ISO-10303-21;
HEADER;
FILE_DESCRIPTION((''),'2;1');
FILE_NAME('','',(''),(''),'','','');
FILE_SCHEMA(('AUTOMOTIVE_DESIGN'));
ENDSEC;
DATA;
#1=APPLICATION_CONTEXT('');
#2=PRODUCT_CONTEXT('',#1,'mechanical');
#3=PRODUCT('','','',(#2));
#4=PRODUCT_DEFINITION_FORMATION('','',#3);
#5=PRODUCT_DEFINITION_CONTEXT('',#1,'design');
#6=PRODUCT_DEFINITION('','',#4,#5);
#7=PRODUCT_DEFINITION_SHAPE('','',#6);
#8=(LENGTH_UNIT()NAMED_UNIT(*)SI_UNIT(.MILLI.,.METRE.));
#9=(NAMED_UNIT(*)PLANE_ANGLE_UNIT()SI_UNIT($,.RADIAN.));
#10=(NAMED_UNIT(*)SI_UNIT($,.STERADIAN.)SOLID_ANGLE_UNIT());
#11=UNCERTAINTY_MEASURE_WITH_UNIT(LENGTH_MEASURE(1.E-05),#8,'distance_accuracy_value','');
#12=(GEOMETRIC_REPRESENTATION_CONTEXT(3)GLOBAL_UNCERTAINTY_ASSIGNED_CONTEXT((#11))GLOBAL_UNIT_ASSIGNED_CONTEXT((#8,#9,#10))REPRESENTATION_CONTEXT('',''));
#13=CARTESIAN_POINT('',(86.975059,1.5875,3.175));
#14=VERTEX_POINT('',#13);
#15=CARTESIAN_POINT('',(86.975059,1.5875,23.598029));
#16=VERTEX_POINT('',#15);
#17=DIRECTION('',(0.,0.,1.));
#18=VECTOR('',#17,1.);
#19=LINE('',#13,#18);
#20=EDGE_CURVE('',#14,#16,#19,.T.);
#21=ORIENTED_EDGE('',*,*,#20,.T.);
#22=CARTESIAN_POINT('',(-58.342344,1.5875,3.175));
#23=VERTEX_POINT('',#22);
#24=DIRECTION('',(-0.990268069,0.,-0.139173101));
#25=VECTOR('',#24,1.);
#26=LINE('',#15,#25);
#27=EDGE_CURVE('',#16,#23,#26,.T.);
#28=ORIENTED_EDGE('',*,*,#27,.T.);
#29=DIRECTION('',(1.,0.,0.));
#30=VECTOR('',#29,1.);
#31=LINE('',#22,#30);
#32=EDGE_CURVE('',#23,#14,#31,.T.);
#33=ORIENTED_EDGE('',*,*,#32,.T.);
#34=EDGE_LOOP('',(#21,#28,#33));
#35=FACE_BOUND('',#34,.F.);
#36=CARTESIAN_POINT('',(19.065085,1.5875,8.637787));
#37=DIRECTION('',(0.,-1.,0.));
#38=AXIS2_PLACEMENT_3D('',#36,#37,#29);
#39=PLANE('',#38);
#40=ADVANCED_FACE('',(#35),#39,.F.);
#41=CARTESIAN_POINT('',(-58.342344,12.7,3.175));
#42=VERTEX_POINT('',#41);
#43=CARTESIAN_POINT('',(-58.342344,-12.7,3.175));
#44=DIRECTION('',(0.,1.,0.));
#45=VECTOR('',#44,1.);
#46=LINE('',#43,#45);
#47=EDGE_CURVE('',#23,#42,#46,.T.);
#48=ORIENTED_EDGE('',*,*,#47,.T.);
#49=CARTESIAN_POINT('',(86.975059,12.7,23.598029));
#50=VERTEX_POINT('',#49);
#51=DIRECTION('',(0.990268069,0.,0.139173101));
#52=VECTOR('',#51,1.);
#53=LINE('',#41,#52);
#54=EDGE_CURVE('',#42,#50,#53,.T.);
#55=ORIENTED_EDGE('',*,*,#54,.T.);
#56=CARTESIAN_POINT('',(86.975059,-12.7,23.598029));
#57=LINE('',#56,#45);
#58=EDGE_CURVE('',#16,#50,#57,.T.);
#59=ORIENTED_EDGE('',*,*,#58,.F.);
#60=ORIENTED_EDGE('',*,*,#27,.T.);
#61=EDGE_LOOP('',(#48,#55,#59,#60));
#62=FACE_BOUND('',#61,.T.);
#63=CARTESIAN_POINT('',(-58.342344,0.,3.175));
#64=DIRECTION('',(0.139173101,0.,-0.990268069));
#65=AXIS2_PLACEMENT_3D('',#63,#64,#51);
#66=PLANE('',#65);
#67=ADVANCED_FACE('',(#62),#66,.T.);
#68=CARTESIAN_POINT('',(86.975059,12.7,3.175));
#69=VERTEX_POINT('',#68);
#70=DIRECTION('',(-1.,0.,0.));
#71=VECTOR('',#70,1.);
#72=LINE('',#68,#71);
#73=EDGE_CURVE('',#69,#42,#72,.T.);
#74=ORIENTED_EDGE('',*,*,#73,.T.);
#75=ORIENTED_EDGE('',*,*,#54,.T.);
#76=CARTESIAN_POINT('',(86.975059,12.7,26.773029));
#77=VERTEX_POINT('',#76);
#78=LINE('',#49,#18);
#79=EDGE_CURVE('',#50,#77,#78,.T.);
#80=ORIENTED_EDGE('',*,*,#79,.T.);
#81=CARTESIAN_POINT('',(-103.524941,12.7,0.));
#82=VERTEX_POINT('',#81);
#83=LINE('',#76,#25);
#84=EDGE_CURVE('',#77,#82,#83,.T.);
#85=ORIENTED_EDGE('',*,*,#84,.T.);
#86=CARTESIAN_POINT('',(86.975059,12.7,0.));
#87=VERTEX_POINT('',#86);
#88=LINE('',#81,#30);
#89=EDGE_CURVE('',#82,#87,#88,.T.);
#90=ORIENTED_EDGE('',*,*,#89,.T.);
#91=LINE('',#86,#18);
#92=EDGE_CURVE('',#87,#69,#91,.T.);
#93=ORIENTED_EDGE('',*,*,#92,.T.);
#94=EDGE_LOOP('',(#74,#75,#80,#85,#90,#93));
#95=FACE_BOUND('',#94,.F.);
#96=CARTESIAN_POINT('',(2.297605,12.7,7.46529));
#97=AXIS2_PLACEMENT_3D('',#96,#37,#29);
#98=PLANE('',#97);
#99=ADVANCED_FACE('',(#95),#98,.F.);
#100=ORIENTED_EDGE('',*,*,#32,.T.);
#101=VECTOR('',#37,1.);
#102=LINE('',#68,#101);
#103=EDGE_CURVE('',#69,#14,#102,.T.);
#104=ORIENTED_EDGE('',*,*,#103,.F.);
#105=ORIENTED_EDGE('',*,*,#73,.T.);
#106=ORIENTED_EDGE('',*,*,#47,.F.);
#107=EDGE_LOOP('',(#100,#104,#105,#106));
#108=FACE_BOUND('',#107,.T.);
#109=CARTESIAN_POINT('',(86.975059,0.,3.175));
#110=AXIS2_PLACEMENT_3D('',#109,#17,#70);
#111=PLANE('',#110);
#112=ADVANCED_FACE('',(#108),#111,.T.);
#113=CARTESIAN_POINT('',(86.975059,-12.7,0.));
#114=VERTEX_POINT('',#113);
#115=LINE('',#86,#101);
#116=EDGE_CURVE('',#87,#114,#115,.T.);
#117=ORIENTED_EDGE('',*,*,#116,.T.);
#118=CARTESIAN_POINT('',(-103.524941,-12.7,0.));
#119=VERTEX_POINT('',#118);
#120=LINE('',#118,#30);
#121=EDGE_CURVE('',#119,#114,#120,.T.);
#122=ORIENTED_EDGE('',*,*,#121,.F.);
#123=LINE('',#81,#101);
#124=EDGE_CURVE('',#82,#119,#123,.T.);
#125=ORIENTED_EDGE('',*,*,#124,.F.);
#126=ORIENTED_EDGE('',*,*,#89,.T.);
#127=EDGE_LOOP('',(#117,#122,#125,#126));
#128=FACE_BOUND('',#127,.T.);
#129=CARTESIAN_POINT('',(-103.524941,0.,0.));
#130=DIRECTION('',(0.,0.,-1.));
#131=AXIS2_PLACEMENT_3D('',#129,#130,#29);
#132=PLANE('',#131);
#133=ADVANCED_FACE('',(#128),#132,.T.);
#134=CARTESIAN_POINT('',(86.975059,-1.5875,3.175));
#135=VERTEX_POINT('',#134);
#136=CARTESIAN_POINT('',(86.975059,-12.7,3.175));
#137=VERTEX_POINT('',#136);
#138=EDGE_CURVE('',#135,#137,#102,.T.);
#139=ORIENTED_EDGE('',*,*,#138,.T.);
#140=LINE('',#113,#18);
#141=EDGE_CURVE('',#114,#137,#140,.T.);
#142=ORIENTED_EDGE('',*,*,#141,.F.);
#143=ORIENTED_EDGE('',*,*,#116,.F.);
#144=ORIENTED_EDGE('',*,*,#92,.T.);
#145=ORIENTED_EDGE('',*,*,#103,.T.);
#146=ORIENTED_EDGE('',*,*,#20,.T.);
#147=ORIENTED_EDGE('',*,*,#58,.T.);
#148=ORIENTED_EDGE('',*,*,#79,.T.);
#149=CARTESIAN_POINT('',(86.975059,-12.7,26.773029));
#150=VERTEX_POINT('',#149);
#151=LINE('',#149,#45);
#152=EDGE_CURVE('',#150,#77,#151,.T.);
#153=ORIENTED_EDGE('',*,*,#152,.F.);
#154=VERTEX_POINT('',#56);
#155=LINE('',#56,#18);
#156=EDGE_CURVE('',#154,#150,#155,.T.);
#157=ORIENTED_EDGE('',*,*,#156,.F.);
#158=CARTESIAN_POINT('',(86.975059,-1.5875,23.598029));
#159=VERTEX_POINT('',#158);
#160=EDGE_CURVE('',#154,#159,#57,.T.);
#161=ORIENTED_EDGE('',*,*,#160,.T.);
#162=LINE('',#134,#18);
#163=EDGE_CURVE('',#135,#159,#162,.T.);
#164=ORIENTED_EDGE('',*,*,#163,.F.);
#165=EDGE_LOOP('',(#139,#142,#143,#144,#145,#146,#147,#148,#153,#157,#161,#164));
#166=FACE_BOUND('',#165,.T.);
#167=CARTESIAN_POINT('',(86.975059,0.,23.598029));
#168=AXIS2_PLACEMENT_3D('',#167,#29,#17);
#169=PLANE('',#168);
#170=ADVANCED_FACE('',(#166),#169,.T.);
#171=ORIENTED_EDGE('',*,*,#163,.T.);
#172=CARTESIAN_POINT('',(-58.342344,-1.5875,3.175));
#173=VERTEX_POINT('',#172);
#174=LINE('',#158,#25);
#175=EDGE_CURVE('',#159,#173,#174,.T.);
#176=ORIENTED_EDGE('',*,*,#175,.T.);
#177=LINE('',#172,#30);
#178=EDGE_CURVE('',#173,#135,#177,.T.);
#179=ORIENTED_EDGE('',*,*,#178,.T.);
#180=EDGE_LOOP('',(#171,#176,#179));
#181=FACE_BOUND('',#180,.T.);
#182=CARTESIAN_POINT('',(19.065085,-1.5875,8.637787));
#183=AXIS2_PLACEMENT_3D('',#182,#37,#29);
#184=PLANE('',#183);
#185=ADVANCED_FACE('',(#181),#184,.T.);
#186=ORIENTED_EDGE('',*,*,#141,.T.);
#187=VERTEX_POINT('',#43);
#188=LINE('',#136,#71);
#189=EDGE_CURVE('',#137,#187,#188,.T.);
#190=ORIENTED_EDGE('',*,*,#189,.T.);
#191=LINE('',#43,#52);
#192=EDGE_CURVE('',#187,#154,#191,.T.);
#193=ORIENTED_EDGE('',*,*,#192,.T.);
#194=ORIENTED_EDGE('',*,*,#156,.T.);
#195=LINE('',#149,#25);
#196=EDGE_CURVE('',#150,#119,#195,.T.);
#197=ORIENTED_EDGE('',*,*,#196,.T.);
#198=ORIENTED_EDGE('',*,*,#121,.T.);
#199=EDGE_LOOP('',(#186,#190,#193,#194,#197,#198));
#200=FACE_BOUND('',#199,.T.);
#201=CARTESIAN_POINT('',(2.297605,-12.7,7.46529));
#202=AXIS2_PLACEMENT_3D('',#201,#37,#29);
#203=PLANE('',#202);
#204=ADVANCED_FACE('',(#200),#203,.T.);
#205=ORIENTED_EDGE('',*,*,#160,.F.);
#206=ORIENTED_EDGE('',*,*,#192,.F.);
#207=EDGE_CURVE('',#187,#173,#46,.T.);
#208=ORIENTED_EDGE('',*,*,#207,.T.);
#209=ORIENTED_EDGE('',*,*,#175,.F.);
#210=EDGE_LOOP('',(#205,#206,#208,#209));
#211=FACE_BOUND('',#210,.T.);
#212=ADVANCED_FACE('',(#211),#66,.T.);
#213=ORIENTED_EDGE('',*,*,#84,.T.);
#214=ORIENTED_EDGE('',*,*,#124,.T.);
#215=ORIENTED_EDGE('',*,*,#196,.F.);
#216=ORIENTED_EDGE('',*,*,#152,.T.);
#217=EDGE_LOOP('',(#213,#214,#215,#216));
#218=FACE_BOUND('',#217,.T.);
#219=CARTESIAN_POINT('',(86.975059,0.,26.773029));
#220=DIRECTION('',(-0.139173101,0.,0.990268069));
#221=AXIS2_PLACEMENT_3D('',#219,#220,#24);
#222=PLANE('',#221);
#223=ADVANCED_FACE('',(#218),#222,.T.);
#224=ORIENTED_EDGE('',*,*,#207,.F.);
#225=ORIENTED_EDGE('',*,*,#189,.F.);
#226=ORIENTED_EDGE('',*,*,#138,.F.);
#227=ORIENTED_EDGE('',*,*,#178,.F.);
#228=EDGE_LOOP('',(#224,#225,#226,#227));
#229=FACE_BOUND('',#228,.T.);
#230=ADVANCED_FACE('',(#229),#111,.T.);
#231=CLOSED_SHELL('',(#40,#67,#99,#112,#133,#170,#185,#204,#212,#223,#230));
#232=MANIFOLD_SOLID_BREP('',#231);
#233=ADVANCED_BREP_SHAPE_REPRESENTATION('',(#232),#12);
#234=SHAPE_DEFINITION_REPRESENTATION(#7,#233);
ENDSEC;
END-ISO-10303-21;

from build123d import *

# Parameters (mm, degrees)
F1_DEPTH = 1.5875
F2_DEPTH = 12.7


with BuildPart() as f1:
    # F0 (on Front) → F1 (new body, symmetric)
    with BuildSketch(Plane.XZ):
        Polygon((-58.3423435574, 3.175), (86.9750587055, 3.175), (86.9750587055, 23.5980290108), align=None)
    extrude(amount=F1_DEPTH, both=True)

    # F0 (on Front) → F2 (join, symmetric)
    with BuildSketch(Plane.XZ):
        Polygon((86.9750587055, 26.7730290108), (-103.5249412945, 0), (86.9750587055, 0), (86.9750587055, 3.175), (-58.3423435574, 3.175), (86.9750587055, 23.5980290108), align=None)
    extrude(amount=F2_DEPTH, both=True)


solid = f1.part
